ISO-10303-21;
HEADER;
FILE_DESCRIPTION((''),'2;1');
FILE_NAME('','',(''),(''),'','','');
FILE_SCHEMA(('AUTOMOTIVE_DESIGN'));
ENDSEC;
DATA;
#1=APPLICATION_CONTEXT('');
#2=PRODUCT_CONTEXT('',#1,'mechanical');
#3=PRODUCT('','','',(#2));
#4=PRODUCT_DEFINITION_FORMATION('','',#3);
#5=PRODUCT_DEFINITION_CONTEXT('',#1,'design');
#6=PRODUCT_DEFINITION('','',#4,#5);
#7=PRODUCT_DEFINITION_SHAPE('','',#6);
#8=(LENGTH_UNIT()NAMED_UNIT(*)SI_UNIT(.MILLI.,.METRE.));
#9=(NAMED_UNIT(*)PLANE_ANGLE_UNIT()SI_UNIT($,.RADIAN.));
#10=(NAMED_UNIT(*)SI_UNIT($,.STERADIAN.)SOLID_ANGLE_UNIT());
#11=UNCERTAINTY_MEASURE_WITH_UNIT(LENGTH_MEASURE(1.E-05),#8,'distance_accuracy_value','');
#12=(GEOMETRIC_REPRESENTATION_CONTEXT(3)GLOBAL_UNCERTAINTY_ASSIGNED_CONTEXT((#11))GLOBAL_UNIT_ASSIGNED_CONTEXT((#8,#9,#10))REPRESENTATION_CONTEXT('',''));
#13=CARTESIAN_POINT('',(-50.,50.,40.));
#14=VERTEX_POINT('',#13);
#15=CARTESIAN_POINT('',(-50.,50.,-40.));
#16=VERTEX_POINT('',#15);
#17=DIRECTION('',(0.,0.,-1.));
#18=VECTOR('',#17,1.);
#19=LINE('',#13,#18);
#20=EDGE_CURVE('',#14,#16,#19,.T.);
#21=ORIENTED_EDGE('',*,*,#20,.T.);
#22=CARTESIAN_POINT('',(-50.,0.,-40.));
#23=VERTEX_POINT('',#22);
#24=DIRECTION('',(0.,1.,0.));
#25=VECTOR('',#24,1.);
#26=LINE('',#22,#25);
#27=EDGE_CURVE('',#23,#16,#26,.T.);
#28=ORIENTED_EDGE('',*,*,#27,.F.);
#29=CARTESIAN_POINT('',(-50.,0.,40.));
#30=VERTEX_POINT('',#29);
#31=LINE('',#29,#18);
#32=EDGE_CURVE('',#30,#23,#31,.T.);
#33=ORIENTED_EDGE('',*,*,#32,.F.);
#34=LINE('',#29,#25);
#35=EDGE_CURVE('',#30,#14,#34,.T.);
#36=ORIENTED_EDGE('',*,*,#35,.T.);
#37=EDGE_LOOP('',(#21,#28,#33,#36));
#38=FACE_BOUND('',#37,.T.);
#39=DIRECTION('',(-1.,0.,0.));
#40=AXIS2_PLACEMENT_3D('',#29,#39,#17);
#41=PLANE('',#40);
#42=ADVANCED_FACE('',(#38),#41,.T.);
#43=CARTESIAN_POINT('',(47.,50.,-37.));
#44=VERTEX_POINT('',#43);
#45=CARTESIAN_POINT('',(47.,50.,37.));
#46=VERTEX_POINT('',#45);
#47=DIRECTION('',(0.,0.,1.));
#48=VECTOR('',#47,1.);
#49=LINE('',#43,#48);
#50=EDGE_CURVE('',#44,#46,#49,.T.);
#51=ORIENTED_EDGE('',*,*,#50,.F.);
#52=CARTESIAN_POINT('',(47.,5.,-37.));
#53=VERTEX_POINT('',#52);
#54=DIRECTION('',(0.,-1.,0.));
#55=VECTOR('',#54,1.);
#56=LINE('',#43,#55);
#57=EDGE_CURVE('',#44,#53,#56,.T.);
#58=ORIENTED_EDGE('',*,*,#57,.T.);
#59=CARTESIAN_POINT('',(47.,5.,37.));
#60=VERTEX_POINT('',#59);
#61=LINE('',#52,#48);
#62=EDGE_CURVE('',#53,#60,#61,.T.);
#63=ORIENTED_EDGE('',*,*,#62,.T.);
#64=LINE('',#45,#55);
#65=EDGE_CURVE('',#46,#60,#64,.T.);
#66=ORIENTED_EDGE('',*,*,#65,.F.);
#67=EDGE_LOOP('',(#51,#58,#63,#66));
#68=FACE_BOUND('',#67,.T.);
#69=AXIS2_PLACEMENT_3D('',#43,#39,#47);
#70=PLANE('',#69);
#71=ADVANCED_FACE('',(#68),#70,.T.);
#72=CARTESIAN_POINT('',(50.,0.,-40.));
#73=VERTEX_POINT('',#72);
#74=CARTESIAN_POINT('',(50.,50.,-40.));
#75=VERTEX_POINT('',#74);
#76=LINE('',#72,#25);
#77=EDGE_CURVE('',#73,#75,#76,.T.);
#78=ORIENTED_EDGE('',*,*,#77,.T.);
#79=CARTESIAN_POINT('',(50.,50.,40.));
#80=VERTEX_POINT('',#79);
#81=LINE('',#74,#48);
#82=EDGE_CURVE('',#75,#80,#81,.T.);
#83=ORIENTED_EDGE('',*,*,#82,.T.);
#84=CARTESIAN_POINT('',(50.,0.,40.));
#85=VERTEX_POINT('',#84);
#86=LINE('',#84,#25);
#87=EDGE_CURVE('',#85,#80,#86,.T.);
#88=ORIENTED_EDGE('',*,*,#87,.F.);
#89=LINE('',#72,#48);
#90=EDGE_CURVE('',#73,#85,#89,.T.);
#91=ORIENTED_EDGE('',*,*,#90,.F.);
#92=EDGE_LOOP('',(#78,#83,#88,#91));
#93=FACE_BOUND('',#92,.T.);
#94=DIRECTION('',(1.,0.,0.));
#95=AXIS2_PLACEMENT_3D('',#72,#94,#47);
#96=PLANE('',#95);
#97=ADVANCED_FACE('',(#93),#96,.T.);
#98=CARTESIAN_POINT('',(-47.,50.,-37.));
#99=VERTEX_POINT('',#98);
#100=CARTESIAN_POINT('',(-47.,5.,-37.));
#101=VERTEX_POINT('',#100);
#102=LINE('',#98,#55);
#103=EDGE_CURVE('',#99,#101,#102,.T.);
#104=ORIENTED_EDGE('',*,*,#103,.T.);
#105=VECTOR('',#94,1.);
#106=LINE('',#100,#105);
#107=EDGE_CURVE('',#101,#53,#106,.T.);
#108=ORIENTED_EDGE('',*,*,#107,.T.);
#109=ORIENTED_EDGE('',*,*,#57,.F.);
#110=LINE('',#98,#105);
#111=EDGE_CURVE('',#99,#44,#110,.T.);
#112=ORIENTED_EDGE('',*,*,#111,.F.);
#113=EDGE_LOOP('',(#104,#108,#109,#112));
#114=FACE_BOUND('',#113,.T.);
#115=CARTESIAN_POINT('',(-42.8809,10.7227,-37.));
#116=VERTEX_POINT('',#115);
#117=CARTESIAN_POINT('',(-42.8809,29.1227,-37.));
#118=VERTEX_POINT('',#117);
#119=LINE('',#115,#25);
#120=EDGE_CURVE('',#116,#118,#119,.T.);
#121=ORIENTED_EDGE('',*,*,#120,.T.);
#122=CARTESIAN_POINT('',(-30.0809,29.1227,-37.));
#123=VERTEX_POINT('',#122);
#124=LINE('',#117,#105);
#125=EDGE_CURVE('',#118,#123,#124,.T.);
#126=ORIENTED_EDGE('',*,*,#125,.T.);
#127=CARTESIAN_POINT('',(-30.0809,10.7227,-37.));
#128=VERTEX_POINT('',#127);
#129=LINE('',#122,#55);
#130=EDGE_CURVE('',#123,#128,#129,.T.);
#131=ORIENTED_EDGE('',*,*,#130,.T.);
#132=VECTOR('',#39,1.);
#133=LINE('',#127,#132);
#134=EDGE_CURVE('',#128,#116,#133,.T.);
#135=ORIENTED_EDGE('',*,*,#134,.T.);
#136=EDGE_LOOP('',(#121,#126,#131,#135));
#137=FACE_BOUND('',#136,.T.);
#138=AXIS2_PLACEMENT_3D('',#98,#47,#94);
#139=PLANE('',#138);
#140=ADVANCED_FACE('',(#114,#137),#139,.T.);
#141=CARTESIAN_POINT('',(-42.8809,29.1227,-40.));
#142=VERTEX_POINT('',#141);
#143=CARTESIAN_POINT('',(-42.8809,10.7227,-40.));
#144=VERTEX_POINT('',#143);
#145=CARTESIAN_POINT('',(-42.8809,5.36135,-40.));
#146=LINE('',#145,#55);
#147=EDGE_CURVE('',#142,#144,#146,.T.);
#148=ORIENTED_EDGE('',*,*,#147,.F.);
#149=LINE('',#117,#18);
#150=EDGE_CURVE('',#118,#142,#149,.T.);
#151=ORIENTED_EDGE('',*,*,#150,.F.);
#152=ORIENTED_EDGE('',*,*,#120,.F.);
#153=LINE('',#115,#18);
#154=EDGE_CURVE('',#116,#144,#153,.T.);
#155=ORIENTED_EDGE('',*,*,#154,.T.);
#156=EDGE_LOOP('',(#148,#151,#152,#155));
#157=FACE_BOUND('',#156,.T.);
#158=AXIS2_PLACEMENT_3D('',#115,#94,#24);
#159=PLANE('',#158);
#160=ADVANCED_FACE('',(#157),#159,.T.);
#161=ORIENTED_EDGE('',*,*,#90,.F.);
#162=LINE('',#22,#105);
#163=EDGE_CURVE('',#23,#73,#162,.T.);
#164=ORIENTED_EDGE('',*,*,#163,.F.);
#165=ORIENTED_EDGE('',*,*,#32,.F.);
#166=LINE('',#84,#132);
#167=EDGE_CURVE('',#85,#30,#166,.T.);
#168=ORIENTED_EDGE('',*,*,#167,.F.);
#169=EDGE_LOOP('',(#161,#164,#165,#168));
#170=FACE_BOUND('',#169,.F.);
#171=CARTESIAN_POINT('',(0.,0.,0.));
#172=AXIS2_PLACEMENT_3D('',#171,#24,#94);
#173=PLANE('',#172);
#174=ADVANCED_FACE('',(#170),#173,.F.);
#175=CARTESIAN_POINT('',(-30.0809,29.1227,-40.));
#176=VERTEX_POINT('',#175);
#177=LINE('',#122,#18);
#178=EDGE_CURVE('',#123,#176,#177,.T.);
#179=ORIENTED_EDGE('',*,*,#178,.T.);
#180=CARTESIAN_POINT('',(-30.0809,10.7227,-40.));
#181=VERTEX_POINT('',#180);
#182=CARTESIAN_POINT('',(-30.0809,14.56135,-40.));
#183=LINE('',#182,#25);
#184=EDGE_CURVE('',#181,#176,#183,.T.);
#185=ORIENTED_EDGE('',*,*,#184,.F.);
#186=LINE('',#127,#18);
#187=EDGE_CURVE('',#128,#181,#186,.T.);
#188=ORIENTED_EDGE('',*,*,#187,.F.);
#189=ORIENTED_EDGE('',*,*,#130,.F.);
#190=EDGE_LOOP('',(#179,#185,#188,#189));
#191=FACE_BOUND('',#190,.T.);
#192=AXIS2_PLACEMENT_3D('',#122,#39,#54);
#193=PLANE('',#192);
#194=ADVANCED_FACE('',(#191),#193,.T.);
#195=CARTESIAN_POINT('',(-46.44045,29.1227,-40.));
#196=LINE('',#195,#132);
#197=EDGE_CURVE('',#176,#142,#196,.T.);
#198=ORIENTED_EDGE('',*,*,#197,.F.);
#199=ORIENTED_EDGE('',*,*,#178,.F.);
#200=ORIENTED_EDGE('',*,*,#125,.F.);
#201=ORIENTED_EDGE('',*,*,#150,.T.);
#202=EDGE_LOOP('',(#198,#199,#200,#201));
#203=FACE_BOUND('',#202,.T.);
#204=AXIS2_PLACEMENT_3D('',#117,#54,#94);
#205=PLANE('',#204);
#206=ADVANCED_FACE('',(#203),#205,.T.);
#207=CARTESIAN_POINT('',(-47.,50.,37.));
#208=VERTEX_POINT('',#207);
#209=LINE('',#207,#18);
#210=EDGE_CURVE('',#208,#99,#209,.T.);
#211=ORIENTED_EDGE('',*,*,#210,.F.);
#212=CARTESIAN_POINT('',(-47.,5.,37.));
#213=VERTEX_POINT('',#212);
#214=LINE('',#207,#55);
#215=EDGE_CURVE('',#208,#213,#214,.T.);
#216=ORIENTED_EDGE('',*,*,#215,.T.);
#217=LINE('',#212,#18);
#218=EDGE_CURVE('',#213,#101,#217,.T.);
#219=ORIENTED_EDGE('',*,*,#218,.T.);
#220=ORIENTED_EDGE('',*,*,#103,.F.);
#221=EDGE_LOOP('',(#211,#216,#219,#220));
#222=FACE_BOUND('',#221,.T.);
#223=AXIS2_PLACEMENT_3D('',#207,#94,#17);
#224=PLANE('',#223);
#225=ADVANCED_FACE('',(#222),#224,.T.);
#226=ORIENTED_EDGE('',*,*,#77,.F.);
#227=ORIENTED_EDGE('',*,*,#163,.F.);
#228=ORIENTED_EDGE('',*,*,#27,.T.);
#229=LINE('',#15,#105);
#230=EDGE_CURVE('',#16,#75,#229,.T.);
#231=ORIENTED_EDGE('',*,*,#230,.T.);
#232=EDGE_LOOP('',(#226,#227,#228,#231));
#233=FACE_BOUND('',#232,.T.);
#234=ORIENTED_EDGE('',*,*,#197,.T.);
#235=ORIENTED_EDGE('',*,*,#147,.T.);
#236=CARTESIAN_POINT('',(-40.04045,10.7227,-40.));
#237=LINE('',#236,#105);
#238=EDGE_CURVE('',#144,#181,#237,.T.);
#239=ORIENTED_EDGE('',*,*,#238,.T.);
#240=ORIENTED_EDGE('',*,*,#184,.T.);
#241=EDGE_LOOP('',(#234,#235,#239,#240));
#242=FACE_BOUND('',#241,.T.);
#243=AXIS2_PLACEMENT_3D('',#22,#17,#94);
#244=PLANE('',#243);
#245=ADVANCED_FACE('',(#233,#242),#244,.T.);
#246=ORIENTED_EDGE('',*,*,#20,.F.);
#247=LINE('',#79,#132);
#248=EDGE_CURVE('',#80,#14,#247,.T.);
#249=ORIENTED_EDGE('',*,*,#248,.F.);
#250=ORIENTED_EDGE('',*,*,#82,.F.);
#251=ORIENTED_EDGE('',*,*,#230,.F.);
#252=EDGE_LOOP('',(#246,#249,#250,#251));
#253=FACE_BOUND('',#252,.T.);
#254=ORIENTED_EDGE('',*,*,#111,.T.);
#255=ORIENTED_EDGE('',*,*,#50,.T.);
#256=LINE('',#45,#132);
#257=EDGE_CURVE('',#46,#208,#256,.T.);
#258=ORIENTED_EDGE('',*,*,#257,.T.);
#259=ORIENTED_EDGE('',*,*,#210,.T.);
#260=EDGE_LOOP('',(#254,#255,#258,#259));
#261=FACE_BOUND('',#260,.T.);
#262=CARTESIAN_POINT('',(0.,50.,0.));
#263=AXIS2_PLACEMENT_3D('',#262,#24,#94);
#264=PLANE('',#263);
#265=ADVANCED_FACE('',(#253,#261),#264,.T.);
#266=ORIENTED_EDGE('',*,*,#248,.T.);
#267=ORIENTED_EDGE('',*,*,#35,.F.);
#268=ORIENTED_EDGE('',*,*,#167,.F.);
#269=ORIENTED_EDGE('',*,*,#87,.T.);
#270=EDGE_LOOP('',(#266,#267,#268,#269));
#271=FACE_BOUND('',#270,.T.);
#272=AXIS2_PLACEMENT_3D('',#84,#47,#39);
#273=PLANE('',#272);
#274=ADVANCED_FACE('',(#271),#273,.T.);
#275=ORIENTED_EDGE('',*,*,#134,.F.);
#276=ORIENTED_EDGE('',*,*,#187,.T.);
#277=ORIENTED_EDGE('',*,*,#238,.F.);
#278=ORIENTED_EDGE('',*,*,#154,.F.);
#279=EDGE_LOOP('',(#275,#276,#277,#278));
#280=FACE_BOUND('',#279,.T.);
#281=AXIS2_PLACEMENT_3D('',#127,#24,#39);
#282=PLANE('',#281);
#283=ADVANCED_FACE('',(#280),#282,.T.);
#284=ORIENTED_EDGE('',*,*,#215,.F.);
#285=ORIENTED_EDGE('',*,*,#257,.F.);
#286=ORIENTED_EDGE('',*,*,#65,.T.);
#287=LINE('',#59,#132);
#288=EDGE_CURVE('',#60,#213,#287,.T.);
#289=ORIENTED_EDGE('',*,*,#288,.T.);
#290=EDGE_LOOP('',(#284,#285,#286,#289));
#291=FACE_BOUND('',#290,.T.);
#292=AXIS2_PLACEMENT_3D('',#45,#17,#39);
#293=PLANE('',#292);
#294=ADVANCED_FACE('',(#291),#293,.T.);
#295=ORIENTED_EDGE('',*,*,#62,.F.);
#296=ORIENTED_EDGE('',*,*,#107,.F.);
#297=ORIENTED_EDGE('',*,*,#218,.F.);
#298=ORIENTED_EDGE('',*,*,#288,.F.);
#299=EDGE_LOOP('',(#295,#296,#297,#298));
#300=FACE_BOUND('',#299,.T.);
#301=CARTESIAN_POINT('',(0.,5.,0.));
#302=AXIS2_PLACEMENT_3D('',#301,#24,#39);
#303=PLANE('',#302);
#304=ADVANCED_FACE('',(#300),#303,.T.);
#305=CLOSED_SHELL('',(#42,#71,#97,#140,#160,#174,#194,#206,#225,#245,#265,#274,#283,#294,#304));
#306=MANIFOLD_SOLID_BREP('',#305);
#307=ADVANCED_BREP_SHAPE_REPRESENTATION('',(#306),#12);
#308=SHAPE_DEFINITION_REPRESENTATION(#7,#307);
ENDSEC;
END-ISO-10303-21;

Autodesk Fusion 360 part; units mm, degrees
sketch "Sketch1" plane through (0, 0, 0) normal (0, 1, 0) x (1, 0, 0)
  line L0 (50, -40) -> (-50, -40)
  line L1 (-50, -40) -> (-50, 40)
  line L2 (-50, 40) -> (50, 40)
  line L3 (50, 40) -> (50, -40)
  line L4 (50, -40) -> (-50, 40) construction
  line L5 (-50, -40) -> (50, 40) construction
  dimension "d1" = 100
  dimension "d2" = 80
extrude "Extrude1" add sketch "Sketch1" along normal blind 50
sketch "Sketch2" plane through (0, 50, 0) normal (0, 1, 0) x (-1, 0, 0)
  line L0 (-50, -40) -> (50, -40)
  line L1 (50, -40) -> (50, 40)
  line L2 (50, 40) -> (-50, 40)
  line L3 (-50, 40) -> (-50, -40)
  line L4 (-47, 37) -> (47, 37)
  line L5 (47, 37) -> (47, -37)
  line L6 (47, -37) -> (-47, -37)
  line L7 (-47, -37) -> (-47, 37)
  line L8 (-47, 37) -> (47, -37) construction
  line L9 (47, 37) -> (-47, -37) construction
  dimension "d5" = 94
  dimension "d6" = 74
  dimension "d15" = 3
  dimension "d16" = 3
extrude "Extrude4" cut sketch "Sketch2" against normal blind 45 contours L4 L5 L6 L7
sketch "Sketch5" plane through (0, 0, -37) normal (0, 0, 1) x (1, 0, 0)
  line L0 (47, 50) -> (-47, 50)
  line L1 (-47, 50) -> (-47, 5)
  line L2 (-47, 5) -> (47, 5)
  line L3 (47, 5) -> (47, 50)
  line L4 (-42.8809, 29.1227) -> (-30.0809, 29.1227)
  line L5 (-30.0809, 29.1227) -> (-30.0809, 10.7227)
  line L6 (-30.0809, 10.7227) -> (-42.8809, 10.7227)
  line L7 (-42.8809, 10.7227) -> (-42.8809, 29.1227)
  dimension "d19" = 12.8
  dimension "d20" = 18.4
extrude "Extrude5" cut sketch "Sketch5" against normal blind 55 contours L4 L5 L6 L7
extrude "Extrude2" [rolled back] along distance -45 taper angle 0
sketch "Sketch3" plane through (0, 0, -40) normal (0, 0, -1) x (-1, 0, 0)
  line L0 (-50, 0) -> (50, 0)
  line L1 (50, 0) -> (50, 50)
  line L2 (50, 50) -> (-50, 50)
  line L3 (-50, 50) -> (-50, 0)
  line L4 (-45, 5) -> (-32.2, 5)
  line L5 (-32.2, 5) -> (-32.2, 23.4)
  line L6 (-32.2, 23.4) -> (-45, 23.4)
  line L7 (-45, 23.4) -> (-45, 5)
  dimension "d11" = 12.8
  dimension "d12" = 18.4
extrude "Extrude3" [rolled back] along distance -10 taper angle 0
